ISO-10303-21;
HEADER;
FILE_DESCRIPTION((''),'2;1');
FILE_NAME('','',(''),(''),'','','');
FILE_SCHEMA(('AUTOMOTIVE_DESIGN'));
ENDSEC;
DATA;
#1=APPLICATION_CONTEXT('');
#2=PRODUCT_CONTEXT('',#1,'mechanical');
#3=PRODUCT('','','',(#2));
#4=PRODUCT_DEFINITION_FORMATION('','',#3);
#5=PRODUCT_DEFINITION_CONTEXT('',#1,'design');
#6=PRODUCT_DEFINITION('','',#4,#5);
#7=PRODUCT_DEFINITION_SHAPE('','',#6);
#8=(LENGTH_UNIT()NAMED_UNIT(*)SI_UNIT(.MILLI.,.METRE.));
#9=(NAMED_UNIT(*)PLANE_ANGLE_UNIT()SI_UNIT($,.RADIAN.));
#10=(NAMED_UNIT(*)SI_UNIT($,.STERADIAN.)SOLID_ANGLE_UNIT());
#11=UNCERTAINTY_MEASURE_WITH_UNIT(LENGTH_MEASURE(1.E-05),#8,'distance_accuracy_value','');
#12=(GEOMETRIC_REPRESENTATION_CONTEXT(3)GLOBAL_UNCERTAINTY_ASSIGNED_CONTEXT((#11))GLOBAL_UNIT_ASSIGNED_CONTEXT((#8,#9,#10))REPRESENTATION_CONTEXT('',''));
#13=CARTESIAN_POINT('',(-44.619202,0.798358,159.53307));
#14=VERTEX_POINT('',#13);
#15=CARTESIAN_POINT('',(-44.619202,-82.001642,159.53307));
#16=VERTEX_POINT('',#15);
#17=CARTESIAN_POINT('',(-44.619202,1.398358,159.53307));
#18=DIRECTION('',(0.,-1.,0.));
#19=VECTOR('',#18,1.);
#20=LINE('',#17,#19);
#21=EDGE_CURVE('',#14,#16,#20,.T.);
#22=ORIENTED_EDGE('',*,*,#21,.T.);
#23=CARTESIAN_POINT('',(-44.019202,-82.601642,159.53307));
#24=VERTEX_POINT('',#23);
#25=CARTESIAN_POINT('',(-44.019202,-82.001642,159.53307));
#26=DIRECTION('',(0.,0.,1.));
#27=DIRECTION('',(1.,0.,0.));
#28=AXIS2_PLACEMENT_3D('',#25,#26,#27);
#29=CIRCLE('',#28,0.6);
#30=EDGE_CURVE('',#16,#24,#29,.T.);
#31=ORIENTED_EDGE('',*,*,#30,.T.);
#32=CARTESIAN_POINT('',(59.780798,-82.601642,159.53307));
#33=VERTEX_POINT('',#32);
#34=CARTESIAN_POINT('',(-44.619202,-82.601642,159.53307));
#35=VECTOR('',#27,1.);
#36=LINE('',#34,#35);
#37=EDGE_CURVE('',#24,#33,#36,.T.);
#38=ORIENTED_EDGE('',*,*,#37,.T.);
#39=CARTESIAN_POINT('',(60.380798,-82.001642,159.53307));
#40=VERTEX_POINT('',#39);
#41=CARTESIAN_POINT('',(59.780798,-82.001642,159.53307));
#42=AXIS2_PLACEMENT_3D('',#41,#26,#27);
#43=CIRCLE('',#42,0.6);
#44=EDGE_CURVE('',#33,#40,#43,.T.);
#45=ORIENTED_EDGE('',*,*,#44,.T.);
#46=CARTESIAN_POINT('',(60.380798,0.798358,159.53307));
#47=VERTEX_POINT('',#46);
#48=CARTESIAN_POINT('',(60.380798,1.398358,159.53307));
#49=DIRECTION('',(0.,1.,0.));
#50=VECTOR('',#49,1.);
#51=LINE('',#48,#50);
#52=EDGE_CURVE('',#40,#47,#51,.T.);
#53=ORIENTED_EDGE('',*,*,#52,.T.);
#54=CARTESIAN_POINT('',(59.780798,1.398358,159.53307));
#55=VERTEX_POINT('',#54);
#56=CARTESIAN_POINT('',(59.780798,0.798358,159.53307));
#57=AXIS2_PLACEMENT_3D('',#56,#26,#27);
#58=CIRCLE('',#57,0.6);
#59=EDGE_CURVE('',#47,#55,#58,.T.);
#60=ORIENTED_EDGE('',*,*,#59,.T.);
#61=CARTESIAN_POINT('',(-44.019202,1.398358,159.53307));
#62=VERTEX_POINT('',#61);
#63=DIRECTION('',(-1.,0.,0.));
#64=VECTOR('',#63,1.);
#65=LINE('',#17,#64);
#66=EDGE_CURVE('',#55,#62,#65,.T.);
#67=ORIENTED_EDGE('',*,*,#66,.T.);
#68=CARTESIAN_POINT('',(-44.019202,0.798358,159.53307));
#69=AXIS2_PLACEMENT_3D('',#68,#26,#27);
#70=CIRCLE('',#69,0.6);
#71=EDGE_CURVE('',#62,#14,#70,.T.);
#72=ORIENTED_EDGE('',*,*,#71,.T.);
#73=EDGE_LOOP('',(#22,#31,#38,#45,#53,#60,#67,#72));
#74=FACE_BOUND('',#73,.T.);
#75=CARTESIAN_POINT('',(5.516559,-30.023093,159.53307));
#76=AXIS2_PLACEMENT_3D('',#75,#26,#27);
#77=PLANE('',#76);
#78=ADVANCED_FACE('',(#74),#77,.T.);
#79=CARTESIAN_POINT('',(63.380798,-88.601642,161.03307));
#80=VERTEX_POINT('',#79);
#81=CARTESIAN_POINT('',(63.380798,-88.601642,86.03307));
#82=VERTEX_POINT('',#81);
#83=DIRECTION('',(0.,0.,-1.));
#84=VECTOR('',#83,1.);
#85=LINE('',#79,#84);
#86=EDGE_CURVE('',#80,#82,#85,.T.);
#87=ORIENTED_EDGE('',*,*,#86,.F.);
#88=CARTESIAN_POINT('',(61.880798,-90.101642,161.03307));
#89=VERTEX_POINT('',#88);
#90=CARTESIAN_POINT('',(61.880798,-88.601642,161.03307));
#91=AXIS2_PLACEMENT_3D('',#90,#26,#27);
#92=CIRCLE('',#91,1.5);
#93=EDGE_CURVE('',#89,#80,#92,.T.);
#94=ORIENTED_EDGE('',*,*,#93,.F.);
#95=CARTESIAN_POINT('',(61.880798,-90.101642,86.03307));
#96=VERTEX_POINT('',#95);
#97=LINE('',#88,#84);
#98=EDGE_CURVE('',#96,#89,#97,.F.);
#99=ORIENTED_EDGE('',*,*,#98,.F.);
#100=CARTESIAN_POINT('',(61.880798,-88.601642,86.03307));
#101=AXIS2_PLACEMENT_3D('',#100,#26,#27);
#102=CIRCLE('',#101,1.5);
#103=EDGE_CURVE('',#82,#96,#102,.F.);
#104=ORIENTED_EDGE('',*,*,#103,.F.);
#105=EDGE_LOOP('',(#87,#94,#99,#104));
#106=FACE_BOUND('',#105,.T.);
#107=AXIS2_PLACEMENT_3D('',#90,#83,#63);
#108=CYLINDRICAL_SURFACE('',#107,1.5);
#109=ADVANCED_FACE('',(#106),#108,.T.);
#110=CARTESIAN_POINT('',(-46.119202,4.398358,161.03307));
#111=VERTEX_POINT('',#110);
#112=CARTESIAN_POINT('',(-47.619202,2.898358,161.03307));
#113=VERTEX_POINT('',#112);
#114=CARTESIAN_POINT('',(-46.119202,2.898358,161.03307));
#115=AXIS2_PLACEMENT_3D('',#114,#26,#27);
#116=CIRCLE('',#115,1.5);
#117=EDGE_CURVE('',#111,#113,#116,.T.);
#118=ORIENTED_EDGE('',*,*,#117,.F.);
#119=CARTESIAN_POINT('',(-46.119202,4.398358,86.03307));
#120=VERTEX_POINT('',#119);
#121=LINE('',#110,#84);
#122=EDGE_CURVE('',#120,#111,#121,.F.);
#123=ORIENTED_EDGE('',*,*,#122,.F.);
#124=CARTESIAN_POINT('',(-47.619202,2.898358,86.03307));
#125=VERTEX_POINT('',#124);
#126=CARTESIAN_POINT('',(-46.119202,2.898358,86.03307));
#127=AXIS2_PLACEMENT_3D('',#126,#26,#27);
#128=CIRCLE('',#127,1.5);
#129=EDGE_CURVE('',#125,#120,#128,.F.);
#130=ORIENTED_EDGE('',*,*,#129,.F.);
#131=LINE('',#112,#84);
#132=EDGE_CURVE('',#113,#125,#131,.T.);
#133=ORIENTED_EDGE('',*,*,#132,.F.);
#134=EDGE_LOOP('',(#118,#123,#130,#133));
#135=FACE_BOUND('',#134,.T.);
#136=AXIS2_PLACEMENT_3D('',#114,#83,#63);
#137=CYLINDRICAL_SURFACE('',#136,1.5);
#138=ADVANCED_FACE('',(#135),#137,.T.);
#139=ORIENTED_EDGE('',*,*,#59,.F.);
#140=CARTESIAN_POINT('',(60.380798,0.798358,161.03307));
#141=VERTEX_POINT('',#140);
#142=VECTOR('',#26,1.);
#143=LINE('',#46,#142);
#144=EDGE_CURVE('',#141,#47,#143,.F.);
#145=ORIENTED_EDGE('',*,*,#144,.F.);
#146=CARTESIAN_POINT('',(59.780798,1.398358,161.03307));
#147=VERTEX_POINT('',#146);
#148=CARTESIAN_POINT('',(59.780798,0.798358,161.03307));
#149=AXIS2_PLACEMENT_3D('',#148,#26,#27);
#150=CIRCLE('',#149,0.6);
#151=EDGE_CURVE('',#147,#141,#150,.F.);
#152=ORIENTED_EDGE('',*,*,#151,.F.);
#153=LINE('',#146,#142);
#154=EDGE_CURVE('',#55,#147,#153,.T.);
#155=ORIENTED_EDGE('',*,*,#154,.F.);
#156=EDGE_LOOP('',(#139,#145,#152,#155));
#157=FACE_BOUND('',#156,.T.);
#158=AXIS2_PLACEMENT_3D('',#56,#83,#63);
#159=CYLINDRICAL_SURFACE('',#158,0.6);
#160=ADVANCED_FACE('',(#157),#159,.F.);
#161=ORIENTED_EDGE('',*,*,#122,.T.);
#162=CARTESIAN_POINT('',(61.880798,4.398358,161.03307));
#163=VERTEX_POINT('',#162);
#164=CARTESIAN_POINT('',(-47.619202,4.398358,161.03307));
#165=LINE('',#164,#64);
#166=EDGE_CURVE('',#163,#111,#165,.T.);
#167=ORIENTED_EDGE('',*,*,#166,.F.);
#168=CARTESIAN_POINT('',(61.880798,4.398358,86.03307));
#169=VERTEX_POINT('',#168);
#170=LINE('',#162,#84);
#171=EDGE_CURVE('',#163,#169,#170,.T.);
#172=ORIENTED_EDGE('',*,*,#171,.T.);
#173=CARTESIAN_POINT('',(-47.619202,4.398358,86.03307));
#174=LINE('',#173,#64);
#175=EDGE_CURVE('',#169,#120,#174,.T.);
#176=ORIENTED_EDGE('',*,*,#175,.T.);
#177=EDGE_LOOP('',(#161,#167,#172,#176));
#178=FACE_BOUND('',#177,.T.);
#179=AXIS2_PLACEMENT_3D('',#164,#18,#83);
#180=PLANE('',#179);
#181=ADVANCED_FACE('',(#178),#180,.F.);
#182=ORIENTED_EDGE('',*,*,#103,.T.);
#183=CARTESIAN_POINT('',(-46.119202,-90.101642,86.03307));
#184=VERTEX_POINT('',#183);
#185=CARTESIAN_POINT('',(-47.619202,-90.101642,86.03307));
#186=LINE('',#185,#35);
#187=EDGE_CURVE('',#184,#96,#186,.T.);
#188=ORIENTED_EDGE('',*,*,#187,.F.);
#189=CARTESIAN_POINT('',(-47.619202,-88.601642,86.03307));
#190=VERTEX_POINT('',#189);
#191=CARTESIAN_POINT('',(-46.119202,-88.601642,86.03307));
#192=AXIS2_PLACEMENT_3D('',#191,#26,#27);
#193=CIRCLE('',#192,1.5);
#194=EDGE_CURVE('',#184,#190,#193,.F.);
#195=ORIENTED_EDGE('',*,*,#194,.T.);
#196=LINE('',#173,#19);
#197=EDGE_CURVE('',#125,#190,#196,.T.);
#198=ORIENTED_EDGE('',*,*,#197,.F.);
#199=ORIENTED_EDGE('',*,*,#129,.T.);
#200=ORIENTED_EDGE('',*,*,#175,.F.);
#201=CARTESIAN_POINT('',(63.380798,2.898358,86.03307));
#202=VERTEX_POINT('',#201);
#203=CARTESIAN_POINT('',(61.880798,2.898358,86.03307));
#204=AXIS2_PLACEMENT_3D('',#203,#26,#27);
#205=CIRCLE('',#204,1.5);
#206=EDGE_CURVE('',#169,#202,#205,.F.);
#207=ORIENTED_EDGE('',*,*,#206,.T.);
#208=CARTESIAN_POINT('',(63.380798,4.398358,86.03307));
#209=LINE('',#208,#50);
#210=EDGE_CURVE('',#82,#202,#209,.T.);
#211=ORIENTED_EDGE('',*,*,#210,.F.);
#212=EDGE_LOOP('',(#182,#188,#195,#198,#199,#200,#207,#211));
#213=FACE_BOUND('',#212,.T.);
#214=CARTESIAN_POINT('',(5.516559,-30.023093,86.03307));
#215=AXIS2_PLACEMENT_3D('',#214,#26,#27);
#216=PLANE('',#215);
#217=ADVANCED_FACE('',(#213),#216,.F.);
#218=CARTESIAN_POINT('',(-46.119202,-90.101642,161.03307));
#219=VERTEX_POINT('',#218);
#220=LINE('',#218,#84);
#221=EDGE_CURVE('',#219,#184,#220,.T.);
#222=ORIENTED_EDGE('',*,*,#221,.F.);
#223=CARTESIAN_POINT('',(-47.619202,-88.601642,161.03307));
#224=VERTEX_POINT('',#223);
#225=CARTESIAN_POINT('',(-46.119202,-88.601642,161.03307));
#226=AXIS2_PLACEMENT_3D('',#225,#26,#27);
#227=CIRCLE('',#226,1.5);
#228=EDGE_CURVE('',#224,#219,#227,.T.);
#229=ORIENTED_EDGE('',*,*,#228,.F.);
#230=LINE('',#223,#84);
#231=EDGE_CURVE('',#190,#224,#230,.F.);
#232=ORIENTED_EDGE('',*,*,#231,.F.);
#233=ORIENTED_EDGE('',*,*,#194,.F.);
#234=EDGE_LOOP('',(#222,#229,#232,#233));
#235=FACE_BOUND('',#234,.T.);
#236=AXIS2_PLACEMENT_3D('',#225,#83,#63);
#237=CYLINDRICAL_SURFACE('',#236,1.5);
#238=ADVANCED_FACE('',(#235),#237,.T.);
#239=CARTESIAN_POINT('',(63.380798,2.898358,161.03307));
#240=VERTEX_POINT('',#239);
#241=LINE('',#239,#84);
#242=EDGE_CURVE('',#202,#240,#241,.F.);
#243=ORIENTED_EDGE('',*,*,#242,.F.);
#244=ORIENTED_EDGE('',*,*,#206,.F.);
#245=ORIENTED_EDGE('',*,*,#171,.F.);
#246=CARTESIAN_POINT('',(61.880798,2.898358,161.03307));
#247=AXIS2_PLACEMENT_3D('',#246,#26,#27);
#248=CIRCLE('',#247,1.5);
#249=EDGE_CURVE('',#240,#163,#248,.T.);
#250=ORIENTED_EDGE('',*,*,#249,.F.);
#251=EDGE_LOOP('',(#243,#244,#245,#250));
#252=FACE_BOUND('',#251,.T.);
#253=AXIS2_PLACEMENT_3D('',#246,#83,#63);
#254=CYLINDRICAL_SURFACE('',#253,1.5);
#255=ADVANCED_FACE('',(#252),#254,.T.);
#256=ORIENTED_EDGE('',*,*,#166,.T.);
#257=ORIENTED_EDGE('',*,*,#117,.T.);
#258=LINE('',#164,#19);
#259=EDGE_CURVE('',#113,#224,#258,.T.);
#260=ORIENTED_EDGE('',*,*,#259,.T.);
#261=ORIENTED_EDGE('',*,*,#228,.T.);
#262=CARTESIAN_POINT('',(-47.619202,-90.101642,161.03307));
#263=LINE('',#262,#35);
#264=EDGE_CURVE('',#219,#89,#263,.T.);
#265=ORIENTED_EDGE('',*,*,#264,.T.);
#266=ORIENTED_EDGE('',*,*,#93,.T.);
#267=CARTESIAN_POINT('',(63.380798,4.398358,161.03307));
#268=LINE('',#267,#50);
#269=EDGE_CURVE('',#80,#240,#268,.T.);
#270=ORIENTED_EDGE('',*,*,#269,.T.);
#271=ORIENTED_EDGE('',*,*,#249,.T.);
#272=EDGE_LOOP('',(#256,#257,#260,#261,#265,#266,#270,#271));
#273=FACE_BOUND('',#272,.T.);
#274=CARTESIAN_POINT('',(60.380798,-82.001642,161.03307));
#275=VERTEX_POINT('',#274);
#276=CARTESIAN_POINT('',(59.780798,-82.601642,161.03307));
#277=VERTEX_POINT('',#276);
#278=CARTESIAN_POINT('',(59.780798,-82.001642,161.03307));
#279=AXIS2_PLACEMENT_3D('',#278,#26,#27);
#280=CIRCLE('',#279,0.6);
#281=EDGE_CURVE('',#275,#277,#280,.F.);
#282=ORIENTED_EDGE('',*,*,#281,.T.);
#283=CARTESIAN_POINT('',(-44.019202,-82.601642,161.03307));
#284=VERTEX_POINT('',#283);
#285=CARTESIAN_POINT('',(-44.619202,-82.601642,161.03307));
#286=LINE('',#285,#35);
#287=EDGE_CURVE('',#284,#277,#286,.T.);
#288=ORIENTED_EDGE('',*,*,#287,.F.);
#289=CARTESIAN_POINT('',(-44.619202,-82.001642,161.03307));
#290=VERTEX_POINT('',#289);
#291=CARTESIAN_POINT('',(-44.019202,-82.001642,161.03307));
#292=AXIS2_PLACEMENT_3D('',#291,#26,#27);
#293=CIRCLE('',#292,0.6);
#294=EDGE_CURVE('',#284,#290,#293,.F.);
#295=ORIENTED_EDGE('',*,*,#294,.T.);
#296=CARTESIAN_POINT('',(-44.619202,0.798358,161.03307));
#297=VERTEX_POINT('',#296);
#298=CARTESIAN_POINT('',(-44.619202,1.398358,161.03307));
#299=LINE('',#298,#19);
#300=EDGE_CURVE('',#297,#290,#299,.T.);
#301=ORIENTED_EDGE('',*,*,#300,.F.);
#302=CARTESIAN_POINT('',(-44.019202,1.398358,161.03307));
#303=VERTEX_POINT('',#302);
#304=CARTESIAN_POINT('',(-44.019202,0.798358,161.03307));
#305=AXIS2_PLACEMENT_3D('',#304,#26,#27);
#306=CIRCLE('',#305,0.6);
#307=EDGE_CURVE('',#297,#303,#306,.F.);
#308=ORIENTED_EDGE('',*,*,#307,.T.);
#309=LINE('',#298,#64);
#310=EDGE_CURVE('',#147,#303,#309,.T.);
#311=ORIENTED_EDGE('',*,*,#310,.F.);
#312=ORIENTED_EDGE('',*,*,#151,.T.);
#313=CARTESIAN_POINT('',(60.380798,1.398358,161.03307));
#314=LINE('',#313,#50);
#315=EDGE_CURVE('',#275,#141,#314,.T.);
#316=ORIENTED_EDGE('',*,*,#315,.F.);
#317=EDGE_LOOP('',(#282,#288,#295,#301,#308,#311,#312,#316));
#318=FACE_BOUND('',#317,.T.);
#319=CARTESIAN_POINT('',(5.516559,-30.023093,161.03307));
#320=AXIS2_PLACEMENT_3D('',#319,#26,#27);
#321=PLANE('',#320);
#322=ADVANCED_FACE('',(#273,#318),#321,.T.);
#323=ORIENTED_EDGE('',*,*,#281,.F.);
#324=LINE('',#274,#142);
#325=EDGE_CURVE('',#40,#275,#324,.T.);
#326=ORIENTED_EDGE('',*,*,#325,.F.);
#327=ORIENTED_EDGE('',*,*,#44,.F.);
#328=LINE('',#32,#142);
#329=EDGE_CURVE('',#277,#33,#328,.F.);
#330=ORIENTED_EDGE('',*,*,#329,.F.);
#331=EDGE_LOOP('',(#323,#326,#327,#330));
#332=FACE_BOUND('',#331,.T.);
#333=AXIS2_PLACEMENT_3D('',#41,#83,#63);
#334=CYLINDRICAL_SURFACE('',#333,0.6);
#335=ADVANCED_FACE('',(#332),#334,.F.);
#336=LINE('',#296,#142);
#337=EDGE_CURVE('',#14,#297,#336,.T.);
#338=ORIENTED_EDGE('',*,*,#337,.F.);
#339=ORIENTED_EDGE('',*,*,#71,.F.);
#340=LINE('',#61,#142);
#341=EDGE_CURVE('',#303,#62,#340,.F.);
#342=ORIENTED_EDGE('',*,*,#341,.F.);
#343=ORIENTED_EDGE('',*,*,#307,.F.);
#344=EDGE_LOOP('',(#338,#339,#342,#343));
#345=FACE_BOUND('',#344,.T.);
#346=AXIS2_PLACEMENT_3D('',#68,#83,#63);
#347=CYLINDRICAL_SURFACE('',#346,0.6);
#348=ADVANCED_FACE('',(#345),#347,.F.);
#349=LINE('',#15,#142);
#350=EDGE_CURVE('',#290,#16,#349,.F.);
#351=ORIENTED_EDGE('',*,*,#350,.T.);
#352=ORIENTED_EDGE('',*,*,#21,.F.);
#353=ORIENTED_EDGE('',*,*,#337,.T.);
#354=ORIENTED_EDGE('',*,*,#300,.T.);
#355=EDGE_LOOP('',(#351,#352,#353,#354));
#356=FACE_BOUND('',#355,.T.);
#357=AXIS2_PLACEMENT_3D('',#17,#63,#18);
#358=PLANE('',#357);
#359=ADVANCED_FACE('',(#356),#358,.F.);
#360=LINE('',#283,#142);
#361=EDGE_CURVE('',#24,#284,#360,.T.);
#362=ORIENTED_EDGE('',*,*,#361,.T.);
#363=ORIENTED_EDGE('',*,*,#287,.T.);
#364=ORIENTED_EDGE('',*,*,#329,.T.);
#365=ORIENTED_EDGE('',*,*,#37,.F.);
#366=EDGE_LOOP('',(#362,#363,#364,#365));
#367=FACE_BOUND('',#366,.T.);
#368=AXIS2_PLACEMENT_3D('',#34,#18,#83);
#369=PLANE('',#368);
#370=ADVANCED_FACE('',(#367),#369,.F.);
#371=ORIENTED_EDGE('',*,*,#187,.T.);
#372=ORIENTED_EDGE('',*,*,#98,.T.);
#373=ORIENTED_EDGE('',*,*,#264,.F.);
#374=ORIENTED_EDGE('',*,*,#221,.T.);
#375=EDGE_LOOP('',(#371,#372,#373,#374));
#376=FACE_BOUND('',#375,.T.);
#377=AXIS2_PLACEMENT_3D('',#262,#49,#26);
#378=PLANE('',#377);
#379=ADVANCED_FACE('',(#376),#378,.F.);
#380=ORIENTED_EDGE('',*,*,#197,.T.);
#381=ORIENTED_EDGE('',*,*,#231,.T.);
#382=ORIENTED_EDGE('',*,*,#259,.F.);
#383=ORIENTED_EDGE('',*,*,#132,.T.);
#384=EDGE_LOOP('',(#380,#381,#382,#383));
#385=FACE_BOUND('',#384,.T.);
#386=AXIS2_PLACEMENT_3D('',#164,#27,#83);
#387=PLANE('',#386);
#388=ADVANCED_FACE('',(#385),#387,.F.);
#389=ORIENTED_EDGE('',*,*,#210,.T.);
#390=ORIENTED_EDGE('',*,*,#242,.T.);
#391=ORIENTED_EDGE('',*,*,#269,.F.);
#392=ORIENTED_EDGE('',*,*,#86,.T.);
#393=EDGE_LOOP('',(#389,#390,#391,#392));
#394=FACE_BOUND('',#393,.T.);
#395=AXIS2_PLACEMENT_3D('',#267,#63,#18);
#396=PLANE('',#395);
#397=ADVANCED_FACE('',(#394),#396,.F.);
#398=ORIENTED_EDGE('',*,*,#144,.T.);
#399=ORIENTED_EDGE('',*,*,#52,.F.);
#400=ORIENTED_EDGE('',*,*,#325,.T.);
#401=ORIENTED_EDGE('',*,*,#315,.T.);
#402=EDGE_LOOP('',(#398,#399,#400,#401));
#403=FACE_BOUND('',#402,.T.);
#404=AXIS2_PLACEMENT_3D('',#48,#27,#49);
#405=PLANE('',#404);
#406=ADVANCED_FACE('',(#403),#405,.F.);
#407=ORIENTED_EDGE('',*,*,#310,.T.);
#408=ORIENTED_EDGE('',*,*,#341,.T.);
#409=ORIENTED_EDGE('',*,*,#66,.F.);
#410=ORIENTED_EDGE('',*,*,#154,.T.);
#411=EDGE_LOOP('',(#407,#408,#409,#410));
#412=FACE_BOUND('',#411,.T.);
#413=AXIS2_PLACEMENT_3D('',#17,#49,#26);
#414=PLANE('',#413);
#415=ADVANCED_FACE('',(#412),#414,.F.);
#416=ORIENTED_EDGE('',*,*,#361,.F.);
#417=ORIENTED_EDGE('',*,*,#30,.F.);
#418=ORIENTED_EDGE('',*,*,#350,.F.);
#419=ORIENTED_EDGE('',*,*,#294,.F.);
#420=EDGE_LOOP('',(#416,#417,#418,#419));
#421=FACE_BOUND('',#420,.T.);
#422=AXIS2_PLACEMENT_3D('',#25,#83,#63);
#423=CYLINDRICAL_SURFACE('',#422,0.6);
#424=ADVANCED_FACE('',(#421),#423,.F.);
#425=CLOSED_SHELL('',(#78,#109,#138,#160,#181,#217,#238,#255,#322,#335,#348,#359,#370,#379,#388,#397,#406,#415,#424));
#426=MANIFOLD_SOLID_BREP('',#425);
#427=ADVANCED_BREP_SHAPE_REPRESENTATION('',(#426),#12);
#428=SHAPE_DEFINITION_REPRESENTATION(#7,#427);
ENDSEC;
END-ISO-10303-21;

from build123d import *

# Parameters (mm, degrees)
SKETCH1_W           = 370
SKETCH1_H           = 315
BOSS_EXTRUDE1_DEPTH = 250
FILLET2_R           = 5
SKETCH3_W           = 350
SKETCH3_H           = 280
CUT_EXTRUDE1_DEPTH  = 5
FILLET3_R           = 2
SCALE3_SCALE        = 0.3


with BuildPart() as part:
    # Sketch1 → Boss-Extrude1 (new body)
    with BuildSketch(Plane.XY):
        with Locations((7.880798198, -42.761829759)):
            Rectangle(SKETCH1_W, SKETCH1_H)
    extrude(amount=BOSS_EXTRUDE1_DEPTH)

    # Fillet2
    fillet2_edges = [part.edges().sort_by_distance(p)[0] for p in [
        (-177.119201802, 114.738170241, 125),
        (192.880798198, 114.738170241, 125),
        (192.880798198, -200.261829759, 125),
        (-177.119201802, -200.261829759, 125),
    ]]
    fillet(fillet2_edges, radius=FILLET2_R)

    # Sketch3 → Cut-Extrude1 (cut)
    with BuildSketch(Plane.XY.offset(250)):
        with Locations((7.880798198, -35.261829759)):
            Rectangle(SKETCH3_W, SKETCH3_H)
    extrude(amount=-CUT_EXTRUDE1_DEPTH, mode=Mode.SUBTRACT)

    # Fillet3
    fillet3_edges = [part.edges().sort_by_distance(p)[0] for p in [
        (-167.119201802, -175.261829759, 247.5),
        (-167.119201802, 104.738170241, 247.5),
        (182.880798198, 104.738170241, 247.5),
        (182.880798198, -175.261829759, 247.5),
    ]]
    fillet(fillet3_edges, radius=FILLET3_R)


with BuildPart() as part_1:
    # Scale3: scaled about (7.880798198, -42.890132661, 122.904385933)
    add(part.part.scale(SCALE3_SCALE).moved(Location((5.516558739, -30.023092863, 86.033070153))))


solid = part_1.part
